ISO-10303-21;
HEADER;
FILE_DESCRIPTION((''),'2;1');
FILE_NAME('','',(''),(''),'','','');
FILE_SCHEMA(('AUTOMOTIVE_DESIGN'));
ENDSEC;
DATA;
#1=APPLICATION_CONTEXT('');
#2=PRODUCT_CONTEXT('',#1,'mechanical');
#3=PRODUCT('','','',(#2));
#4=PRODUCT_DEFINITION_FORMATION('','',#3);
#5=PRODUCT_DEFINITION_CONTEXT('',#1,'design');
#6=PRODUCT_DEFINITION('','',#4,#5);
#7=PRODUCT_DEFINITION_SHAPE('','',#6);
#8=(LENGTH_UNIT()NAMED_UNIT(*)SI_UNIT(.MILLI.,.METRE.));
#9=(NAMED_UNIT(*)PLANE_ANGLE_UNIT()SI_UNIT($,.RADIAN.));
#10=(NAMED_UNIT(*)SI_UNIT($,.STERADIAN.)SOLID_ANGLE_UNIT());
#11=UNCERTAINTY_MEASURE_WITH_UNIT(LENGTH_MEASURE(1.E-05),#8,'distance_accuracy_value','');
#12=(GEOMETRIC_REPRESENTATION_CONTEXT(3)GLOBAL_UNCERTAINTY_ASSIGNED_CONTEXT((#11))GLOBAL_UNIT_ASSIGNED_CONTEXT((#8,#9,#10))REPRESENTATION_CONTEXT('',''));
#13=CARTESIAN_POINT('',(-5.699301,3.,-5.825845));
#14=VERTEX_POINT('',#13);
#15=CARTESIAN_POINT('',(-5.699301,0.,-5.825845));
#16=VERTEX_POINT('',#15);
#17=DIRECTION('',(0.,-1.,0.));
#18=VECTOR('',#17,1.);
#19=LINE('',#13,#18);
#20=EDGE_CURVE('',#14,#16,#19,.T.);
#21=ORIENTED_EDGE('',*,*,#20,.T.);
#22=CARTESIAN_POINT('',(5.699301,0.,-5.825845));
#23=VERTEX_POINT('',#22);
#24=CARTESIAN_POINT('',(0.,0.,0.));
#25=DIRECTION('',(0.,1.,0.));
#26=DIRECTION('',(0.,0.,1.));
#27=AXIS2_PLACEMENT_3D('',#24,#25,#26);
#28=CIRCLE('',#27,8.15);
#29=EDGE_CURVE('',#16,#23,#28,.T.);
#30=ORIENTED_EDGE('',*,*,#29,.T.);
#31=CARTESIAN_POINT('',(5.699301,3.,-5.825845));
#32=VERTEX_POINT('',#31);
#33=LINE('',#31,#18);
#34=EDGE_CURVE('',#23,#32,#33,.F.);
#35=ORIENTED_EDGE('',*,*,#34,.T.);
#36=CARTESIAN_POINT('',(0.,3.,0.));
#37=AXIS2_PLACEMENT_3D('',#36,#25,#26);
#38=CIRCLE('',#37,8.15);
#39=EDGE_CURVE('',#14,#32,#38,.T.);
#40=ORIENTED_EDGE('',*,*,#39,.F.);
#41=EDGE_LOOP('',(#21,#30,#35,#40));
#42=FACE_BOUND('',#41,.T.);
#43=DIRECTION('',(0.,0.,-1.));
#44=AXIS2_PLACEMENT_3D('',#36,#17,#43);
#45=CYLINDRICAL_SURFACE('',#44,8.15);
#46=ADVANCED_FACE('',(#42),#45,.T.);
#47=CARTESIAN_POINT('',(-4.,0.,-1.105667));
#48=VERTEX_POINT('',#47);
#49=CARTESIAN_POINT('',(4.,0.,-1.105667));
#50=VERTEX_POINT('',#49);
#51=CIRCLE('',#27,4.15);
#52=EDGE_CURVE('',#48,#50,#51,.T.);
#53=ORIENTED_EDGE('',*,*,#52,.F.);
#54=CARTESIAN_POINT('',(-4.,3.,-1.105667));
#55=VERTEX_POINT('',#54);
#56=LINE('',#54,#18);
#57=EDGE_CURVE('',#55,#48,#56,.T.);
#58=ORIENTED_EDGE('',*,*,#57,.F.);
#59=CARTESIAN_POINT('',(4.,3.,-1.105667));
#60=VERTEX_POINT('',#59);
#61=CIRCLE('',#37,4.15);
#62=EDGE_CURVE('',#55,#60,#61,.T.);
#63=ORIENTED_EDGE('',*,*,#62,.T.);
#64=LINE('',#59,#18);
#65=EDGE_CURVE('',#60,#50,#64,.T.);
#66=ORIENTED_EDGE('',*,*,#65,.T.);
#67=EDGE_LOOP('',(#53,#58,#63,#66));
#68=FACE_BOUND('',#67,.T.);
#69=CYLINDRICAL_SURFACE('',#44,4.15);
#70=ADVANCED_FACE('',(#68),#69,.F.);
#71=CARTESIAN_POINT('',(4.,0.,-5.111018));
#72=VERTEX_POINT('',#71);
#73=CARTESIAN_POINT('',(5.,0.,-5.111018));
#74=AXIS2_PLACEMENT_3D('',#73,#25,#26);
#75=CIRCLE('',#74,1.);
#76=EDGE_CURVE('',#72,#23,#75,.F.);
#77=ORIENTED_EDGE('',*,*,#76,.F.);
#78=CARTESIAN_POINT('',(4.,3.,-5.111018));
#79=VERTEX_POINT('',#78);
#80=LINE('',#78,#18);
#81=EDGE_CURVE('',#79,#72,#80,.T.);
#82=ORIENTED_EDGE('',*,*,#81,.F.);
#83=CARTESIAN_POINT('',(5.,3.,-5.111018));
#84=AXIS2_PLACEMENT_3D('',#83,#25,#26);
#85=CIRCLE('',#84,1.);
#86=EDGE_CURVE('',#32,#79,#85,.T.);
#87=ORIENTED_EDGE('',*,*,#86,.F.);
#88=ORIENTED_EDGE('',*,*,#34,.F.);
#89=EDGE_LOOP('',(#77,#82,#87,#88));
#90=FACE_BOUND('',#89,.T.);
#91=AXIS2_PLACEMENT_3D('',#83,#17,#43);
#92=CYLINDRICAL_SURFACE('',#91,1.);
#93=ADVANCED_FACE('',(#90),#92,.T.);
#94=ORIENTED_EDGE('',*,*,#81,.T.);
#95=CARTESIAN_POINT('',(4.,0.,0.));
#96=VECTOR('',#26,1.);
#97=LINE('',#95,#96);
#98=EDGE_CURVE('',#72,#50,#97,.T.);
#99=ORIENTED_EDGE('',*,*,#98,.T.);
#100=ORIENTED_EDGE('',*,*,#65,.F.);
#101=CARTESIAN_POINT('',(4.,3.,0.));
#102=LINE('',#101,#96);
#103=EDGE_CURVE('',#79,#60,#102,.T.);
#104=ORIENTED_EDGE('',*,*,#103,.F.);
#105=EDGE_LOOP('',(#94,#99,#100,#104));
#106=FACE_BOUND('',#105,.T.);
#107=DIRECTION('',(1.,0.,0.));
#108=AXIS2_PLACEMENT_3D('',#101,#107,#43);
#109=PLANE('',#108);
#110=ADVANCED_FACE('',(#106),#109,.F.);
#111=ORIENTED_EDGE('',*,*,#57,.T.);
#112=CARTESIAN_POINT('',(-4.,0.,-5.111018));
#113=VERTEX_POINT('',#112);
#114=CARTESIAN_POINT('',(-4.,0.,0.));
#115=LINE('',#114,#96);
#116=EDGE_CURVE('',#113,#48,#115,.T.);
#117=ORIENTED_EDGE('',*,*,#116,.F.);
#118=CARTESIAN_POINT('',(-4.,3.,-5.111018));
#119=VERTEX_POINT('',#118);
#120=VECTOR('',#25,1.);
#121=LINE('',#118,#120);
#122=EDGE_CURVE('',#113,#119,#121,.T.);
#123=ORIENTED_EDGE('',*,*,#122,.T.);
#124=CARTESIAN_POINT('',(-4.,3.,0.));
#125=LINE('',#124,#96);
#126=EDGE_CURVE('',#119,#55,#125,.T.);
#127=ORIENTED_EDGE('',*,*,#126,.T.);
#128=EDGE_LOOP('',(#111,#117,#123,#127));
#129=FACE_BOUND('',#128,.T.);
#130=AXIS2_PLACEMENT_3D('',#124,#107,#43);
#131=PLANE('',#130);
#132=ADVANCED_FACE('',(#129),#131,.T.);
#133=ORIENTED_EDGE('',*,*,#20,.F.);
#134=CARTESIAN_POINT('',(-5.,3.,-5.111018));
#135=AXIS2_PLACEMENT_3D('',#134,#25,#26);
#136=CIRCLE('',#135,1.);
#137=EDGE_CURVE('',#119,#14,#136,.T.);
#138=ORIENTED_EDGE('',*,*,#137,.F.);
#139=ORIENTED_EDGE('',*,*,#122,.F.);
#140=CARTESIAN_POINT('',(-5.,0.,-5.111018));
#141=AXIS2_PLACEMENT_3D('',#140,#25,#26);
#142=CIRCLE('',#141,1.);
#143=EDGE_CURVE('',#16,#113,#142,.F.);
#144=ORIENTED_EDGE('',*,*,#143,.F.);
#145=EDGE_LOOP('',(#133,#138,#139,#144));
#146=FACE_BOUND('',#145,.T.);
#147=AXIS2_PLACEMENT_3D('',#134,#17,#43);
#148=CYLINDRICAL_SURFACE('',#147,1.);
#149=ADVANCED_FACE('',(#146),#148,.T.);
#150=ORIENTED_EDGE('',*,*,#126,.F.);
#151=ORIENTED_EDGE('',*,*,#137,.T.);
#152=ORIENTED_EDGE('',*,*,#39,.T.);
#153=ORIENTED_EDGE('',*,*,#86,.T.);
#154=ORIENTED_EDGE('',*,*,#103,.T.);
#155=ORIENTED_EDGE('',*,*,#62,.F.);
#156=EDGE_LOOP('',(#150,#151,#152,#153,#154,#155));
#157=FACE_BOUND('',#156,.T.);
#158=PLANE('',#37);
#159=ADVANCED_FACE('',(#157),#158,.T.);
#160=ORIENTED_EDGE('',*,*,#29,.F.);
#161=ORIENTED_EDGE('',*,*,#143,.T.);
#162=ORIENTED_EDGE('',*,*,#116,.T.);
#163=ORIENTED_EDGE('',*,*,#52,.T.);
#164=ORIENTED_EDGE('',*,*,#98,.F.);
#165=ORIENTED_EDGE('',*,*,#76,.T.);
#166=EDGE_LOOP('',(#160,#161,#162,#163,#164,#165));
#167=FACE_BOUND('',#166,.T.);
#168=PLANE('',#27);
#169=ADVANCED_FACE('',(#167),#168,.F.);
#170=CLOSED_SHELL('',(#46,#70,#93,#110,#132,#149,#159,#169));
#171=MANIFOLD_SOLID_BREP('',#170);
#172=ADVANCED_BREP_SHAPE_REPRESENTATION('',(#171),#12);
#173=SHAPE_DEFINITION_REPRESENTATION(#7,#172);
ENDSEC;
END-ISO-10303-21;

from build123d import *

# Parameters (mm, degrees)
BOSS_EXTRUDE1_DEPTH = 3
FILLET1_R           = 1


with BuildPart() as part:
    # Sketch1 → Boss-Extrude1 (new body)
    with BuildSketch(Plane(origin=(0, 0, 0), x_dir=(1, 0, 0), z_dir=(0, 1, 0))):
        with BuildLine():
            ThreePointArc((8.15, 0), (7.036423097, 4.112329024), (4, 7.100880227))
            Line((4, 7.100880227), (4, 1.105667219))
            ThreePointArc((4, 1.105667219), (4.112329024, 0.55789784), (4.15, 0))
            ThreePointArc((4.15, 0), (-0.55789784, -4.112329024), (-4, 1.105667219))
            Line((-4, 1.105667219), (-4, 7.100880227))
            ThreePointArc((-4, 7.100880227), (-4.112329024, -7.036423097), (8.15, 0))
        make_face()
    extrude(amount=BOSS_EXTRUDE1_DEPTH)

    # Fillet1
    fillet1_edges = [part.edges().sort_by_distance(p)[0] for p in [
        (4, 1.5, -7.100880227),
        (-4, 1.5, -7.100880227),
    ]]
    fillet(fillet1_edges, radius=FILLET1_R)


solid = part.part
